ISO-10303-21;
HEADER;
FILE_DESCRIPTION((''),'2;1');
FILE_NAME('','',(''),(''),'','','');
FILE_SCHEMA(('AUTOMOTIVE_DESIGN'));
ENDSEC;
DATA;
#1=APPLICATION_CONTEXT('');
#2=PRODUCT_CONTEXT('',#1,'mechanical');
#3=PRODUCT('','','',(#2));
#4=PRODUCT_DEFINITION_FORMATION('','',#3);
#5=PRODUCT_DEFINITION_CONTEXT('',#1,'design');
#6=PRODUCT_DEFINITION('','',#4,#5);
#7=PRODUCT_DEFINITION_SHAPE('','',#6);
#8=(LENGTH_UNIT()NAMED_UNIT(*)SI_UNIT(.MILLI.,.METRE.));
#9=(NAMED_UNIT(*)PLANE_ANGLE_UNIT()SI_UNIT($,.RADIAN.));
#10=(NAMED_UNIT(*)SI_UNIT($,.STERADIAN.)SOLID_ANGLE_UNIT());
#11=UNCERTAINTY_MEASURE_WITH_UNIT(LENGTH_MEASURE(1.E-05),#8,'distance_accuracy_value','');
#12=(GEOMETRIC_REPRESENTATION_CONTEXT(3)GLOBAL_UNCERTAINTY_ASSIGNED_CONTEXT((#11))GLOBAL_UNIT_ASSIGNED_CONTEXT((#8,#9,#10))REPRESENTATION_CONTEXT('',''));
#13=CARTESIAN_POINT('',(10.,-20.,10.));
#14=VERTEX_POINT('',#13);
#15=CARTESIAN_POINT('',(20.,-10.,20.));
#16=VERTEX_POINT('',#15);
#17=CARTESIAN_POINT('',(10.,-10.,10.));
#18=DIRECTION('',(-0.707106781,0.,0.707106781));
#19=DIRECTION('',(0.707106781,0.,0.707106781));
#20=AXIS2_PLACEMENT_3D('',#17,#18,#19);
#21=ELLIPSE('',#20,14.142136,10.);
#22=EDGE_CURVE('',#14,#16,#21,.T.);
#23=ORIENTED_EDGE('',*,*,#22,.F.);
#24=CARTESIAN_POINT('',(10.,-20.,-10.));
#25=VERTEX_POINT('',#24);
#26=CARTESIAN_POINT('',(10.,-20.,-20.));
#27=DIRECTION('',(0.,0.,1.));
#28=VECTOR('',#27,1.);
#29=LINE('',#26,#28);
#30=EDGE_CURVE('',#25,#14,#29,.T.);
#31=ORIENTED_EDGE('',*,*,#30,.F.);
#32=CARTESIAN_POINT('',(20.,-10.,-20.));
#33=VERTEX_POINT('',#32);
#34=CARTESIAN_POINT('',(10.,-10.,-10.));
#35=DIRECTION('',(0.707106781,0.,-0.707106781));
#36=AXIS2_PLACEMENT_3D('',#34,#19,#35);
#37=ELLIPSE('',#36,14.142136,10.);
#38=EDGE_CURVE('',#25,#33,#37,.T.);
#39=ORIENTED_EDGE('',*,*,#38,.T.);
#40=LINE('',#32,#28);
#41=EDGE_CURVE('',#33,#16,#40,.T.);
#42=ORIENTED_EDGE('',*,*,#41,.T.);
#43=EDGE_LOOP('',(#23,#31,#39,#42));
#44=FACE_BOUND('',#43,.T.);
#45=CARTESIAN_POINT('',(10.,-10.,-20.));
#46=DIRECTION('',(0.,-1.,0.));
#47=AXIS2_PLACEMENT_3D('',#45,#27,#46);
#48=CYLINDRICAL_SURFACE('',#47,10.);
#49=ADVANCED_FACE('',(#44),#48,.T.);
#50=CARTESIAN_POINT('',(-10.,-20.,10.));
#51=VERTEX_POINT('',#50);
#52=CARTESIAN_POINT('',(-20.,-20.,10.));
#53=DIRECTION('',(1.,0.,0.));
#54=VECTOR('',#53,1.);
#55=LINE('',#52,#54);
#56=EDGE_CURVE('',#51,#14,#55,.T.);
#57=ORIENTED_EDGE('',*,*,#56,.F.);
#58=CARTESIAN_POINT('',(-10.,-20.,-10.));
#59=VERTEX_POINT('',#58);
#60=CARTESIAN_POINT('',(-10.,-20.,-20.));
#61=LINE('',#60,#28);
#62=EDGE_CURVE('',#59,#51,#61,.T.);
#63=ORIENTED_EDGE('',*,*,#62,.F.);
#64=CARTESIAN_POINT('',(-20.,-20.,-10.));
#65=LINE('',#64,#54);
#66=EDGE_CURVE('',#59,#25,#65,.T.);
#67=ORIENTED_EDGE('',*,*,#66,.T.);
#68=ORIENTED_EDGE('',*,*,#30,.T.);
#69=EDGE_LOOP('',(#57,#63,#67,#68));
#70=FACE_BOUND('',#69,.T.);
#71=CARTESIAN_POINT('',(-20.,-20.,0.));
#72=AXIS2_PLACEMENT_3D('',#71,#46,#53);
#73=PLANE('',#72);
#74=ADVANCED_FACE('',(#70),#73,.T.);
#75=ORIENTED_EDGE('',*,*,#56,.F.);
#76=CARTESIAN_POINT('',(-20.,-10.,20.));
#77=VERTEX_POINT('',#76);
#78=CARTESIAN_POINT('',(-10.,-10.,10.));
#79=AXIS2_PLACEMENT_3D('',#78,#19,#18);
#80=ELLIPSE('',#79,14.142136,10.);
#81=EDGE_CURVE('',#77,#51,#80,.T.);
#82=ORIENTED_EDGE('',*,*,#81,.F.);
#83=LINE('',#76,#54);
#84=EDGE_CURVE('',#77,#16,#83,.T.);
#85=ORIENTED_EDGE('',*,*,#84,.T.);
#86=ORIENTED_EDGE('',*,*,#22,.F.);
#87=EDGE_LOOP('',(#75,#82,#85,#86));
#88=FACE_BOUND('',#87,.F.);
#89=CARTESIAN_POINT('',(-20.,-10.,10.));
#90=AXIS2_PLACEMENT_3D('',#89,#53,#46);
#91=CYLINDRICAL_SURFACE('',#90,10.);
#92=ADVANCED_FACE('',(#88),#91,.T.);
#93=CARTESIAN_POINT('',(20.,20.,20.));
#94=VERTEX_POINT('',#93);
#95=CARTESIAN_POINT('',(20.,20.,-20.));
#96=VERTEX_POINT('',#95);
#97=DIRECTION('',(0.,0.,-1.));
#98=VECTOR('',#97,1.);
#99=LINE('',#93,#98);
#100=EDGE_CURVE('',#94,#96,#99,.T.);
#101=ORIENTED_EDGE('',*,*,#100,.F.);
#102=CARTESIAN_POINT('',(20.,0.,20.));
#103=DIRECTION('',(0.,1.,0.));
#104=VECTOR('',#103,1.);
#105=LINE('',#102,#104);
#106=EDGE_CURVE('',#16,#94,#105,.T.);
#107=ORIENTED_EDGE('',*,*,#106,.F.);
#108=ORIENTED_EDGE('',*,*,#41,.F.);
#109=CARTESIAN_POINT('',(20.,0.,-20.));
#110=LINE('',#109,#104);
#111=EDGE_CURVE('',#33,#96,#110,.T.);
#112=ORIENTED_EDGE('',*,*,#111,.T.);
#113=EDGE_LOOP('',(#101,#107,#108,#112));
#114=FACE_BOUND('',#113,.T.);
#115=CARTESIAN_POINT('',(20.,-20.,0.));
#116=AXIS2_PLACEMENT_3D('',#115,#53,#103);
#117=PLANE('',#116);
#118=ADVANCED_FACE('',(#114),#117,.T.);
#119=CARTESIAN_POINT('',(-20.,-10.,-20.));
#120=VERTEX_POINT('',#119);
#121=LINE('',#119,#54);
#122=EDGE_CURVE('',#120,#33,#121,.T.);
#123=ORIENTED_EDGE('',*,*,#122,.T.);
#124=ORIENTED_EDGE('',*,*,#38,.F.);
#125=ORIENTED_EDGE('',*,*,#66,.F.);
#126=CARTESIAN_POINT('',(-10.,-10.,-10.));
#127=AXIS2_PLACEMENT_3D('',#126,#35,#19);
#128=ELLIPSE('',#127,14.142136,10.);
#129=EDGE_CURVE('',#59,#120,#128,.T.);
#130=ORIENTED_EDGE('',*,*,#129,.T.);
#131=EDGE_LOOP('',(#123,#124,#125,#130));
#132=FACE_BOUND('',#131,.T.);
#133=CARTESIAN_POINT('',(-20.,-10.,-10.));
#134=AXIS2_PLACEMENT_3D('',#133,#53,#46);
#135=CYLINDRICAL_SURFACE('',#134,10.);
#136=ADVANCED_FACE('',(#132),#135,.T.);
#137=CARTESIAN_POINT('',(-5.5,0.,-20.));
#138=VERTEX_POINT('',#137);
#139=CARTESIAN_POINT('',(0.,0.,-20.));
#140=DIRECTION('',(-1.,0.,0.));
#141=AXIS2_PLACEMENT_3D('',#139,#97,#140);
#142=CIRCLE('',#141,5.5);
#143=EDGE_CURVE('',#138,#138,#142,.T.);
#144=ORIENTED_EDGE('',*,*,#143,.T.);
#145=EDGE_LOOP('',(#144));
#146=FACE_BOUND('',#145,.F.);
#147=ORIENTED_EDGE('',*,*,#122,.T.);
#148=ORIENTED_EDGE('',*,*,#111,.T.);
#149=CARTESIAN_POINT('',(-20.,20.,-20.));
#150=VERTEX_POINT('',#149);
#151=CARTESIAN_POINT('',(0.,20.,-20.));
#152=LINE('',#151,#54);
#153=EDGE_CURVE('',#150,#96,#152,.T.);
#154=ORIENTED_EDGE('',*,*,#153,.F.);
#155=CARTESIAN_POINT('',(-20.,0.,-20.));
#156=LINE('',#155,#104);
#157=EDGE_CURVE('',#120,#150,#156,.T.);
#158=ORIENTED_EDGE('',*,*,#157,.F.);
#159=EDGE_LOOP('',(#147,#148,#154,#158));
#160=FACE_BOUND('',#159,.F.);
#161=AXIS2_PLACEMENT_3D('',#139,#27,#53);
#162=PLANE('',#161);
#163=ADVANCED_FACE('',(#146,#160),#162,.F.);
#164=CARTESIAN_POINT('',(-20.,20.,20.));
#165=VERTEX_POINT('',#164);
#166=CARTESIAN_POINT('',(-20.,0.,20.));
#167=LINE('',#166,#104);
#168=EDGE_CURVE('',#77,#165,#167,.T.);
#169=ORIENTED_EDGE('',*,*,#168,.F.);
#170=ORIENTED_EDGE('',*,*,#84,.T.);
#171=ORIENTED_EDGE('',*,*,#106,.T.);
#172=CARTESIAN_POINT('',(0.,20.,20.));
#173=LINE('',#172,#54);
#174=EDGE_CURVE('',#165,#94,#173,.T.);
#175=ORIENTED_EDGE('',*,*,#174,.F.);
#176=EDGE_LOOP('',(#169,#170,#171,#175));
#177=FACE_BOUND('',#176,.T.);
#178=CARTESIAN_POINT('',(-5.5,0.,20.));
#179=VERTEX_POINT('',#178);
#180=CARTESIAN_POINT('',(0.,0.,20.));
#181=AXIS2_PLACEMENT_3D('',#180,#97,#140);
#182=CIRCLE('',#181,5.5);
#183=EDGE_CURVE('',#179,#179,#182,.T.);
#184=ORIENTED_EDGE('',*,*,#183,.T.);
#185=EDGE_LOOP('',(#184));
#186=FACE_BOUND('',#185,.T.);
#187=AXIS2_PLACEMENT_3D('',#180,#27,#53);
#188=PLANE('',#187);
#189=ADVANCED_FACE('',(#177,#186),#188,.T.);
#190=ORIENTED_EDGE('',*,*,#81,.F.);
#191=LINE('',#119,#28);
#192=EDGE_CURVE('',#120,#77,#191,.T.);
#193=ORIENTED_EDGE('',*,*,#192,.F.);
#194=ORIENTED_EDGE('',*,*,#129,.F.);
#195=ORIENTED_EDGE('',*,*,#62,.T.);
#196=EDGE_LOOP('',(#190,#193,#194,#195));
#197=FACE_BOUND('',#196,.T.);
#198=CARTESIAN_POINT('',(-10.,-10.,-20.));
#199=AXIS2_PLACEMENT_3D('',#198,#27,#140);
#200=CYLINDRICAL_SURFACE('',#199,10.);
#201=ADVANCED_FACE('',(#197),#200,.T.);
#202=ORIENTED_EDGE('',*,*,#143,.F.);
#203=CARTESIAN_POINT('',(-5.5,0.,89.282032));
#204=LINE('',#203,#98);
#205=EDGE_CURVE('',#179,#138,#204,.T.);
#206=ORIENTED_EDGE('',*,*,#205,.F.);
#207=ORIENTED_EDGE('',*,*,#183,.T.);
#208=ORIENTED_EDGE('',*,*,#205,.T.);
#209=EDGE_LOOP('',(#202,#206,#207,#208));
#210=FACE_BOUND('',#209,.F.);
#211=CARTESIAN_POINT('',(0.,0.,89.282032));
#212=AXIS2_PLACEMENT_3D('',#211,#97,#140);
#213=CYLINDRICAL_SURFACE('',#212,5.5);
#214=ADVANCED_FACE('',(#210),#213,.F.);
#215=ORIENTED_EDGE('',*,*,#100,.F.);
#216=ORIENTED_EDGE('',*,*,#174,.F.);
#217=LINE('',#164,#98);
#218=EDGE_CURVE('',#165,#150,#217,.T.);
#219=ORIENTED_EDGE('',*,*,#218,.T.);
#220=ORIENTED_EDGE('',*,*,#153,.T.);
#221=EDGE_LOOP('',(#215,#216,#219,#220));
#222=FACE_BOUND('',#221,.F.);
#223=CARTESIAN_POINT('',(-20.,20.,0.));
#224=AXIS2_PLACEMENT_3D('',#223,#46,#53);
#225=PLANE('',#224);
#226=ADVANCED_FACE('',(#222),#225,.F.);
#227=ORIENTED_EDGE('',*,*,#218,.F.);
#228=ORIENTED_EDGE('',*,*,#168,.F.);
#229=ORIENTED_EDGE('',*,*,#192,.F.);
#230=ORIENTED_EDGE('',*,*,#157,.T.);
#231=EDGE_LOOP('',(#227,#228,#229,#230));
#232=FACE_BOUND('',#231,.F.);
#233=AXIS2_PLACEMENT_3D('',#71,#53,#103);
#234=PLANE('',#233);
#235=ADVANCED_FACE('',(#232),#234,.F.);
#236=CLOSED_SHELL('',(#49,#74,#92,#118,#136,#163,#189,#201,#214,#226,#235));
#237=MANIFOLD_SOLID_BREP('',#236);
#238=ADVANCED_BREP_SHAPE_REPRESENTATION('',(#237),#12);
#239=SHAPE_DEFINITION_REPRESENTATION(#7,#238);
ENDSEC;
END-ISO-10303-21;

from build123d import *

# Parameters (mm, degrees)
F0_W          = 40
F0_H          = 40
F1_DEPTH      = 20
F1_DEPTH_BACK = 20
F3_D          = 11
F4_R          = 10


with BuildPart() as f1:
    # F0 (on Top) → F1 (new body, two sides)
    with BuildSketch(Plane.XY) as f1_sk:
        Rectangle(F0_W, F0_H)
    extrude(amount=F1_DEPTH)
    extrude(f1_sk.sketch, amount=-F1_DEPTH_BACK)

    # F3 (through all)
    with Locations(Plane.XY.offset(20)):
        with Locations((0, 0)):
            Hole(F3_D / 2)

    # F4
    f4_edges = [f1.edges().sort_by_distance(p)[0] for p in [
        (0, -20, -20),
        (20, -20, 0),
        (-20, -20, 0),
        (0, -20, 20),
    ]]
    fillet(f4_edges, radius=F4_R)


solid = f1.part
